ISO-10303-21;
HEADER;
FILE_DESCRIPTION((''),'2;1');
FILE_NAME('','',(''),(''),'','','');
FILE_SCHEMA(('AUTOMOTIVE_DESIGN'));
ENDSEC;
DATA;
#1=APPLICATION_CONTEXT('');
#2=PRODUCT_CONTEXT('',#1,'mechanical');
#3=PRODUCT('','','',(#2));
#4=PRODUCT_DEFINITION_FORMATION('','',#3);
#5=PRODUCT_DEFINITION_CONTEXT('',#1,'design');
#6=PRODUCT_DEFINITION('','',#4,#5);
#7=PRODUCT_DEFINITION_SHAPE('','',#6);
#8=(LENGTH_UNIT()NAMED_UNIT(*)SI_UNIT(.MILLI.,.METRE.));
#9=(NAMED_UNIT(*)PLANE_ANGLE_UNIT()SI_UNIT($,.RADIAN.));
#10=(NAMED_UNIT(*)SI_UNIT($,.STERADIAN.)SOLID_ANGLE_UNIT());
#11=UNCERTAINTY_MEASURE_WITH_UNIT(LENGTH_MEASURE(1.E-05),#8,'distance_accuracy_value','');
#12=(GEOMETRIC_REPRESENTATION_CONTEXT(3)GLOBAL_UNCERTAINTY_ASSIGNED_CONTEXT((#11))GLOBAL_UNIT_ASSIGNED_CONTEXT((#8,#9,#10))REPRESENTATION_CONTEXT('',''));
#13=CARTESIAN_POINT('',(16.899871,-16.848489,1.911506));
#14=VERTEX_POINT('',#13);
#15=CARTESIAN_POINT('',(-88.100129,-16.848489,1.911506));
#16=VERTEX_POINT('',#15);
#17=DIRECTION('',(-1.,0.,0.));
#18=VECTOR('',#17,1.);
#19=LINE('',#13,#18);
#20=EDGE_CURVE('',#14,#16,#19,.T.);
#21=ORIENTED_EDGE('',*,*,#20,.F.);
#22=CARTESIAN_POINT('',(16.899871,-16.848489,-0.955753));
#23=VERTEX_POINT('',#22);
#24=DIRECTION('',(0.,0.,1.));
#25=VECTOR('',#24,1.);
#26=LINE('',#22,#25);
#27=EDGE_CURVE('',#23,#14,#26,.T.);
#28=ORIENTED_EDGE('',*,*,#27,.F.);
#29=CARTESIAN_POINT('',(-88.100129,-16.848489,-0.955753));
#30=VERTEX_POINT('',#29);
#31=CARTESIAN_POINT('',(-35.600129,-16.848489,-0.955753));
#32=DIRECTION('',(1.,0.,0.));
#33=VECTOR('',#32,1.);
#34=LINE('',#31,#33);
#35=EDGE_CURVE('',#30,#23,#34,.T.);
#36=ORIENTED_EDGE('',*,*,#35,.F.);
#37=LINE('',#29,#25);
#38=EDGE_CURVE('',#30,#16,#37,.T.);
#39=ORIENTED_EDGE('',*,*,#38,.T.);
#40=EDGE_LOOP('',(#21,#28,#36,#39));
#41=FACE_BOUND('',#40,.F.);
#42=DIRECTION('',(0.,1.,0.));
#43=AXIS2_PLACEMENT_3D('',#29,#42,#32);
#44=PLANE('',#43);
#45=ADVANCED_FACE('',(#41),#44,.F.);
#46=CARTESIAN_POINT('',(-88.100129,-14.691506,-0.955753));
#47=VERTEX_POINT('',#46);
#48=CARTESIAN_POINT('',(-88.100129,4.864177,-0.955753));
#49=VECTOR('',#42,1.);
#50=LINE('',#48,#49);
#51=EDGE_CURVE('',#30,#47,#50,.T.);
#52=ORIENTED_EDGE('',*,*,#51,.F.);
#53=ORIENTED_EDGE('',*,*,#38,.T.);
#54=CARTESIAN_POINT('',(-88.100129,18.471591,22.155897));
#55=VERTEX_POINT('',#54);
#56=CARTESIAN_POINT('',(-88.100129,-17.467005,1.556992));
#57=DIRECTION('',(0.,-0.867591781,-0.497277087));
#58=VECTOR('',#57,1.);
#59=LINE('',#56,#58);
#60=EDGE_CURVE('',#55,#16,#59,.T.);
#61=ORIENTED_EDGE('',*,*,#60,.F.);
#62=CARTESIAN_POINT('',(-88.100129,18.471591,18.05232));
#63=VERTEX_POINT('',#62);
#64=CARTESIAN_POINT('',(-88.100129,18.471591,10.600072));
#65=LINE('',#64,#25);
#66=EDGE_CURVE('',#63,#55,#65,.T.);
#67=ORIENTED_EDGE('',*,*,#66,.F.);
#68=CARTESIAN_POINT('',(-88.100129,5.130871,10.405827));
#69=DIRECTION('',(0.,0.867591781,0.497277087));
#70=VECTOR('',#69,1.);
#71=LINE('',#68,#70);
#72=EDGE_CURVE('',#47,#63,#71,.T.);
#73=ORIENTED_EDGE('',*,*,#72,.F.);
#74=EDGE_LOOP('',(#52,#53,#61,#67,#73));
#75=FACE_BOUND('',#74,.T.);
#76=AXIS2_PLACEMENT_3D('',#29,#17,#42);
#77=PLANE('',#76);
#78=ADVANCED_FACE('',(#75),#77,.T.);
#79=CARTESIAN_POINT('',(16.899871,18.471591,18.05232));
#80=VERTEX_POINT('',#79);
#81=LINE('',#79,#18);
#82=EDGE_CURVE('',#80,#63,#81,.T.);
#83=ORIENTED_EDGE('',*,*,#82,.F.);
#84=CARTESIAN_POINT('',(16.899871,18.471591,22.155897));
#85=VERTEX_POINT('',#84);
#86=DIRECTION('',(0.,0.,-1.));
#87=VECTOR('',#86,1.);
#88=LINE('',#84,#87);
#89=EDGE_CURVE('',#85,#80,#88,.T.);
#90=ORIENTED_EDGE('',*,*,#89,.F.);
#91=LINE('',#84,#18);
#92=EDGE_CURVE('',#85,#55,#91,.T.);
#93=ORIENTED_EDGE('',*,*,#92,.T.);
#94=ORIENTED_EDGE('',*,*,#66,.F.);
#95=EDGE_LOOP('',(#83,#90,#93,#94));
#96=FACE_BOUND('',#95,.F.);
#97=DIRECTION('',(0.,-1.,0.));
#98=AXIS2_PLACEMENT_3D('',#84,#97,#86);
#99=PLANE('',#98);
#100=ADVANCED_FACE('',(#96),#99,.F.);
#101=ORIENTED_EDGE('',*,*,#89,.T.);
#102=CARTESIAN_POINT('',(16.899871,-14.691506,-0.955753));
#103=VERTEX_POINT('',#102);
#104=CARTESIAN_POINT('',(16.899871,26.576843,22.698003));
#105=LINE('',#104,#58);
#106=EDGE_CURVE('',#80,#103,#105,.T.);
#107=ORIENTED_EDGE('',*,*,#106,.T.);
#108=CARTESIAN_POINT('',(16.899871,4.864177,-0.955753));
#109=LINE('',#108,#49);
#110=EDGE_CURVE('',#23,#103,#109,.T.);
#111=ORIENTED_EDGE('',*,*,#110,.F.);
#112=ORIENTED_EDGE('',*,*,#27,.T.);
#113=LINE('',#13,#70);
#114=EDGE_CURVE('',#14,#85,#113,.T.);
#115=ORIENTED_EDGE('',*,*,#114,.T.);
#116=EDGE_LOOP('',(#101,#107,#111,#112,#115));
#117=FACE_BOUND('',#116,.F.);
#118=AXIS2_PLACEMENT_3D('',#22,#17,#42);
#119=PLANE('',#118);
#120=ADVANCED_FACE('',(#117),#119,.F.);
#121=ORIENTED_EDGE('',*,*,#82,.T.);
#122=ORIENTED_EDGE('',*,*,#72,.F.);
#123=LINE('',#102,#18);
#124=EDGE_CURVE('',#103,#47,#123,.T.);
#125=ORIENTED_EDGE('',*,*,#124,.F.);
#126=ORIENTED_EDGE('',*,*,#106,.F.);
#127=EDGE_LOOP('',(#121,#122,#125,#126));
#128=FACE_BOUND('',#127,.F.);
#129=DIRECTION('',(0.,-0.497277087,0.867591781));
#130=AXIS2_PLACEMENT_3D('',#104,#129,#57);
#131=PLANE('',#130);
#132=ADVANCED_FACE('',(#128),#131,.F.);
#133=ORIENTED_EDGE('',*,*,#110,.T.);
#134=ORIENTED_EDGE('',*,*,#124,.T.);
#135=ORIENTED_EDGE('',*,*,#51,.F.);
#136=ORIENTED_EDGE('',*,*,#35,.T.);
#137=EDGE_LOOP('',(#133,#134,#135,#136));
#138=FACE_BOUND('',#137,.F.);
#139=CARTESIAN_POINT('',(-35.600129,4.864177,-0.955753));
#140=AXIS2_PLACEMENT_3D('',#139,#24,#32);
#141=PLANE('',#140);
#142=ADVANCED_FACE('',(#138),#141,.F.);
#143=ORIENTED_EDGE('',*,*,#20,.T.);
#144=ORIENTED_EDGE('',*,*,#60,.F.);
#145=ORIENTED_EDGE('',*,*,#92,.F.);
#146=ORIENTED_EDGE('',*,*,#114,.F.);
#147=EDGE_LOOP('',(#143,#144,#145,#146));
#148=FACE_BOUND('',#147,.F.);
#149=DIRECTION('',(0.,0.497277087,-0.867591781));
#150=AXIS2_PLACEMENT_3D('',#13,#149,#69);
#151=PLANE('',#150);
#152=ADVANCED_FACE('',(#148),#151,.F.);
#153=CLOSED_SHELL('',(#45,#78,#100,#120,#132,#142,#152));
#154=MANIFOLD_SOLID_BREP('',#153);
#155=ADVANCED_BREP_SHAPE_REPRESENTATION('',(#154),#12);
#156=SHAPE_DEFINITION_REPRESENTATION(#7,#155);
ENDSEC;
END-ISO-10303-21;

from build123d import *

# Parameters (mm, degrees)
F0_W     = 70
F0_H     = 28.9502215247
F1_DEPTH = 17.5
F3_DEPTH = 70.001
F5_DEPTH = 70.001
F6_SCALE = 1.5


with BuildPart() as f1:
    # F0 (on Top) → F1 (new body)
    with BuildSketch(Plane.XY):
        with Locations((-18.1001285091, -2.3733787239)):
            Rectangle(F0_W, F0_H)
    extrude(amount=F1_DEPTH)

    # F2 (on face) → F3 (cut, through all)
    with BuildSketch(Plane.YZ.offset(16.8998714909)):
        Polygon((-16.8484894862, 17.5), (-16.8484894862, 1.9115059404), (10.3485193104, 17.5), align=None)
        Polygon((12.1017320385, 15.7691705972), (-15.4105003687, 0), (12.1017320385, 0), align=None)
    extrude(amount=-F3_DEPTH, mode=Mode.SUBTRACT)

    # F4 (on face) → F5 (cut, through all)
    with BuildSketch(Plane.YZ.offset(16.8998714909)):
        Polygon((10.3485193104, 17.5), (6.6982309879, 15.4077663189), (6.6982309879, 12.6720489741), (12.1017320385, 15.7691705972), (12.1017320385, 17.5), align=None)
    extrude(amount=-F5_DEPTH, mode=Mode.SUBTRACT)


with BuildPart() as f1_1:
    # F6: moved
    add(f1.part.scale(F6_SCALE).moved(Location((-8.4499357454, 8.4242447431, -0.9557529702))))


solid = f1_1.part
